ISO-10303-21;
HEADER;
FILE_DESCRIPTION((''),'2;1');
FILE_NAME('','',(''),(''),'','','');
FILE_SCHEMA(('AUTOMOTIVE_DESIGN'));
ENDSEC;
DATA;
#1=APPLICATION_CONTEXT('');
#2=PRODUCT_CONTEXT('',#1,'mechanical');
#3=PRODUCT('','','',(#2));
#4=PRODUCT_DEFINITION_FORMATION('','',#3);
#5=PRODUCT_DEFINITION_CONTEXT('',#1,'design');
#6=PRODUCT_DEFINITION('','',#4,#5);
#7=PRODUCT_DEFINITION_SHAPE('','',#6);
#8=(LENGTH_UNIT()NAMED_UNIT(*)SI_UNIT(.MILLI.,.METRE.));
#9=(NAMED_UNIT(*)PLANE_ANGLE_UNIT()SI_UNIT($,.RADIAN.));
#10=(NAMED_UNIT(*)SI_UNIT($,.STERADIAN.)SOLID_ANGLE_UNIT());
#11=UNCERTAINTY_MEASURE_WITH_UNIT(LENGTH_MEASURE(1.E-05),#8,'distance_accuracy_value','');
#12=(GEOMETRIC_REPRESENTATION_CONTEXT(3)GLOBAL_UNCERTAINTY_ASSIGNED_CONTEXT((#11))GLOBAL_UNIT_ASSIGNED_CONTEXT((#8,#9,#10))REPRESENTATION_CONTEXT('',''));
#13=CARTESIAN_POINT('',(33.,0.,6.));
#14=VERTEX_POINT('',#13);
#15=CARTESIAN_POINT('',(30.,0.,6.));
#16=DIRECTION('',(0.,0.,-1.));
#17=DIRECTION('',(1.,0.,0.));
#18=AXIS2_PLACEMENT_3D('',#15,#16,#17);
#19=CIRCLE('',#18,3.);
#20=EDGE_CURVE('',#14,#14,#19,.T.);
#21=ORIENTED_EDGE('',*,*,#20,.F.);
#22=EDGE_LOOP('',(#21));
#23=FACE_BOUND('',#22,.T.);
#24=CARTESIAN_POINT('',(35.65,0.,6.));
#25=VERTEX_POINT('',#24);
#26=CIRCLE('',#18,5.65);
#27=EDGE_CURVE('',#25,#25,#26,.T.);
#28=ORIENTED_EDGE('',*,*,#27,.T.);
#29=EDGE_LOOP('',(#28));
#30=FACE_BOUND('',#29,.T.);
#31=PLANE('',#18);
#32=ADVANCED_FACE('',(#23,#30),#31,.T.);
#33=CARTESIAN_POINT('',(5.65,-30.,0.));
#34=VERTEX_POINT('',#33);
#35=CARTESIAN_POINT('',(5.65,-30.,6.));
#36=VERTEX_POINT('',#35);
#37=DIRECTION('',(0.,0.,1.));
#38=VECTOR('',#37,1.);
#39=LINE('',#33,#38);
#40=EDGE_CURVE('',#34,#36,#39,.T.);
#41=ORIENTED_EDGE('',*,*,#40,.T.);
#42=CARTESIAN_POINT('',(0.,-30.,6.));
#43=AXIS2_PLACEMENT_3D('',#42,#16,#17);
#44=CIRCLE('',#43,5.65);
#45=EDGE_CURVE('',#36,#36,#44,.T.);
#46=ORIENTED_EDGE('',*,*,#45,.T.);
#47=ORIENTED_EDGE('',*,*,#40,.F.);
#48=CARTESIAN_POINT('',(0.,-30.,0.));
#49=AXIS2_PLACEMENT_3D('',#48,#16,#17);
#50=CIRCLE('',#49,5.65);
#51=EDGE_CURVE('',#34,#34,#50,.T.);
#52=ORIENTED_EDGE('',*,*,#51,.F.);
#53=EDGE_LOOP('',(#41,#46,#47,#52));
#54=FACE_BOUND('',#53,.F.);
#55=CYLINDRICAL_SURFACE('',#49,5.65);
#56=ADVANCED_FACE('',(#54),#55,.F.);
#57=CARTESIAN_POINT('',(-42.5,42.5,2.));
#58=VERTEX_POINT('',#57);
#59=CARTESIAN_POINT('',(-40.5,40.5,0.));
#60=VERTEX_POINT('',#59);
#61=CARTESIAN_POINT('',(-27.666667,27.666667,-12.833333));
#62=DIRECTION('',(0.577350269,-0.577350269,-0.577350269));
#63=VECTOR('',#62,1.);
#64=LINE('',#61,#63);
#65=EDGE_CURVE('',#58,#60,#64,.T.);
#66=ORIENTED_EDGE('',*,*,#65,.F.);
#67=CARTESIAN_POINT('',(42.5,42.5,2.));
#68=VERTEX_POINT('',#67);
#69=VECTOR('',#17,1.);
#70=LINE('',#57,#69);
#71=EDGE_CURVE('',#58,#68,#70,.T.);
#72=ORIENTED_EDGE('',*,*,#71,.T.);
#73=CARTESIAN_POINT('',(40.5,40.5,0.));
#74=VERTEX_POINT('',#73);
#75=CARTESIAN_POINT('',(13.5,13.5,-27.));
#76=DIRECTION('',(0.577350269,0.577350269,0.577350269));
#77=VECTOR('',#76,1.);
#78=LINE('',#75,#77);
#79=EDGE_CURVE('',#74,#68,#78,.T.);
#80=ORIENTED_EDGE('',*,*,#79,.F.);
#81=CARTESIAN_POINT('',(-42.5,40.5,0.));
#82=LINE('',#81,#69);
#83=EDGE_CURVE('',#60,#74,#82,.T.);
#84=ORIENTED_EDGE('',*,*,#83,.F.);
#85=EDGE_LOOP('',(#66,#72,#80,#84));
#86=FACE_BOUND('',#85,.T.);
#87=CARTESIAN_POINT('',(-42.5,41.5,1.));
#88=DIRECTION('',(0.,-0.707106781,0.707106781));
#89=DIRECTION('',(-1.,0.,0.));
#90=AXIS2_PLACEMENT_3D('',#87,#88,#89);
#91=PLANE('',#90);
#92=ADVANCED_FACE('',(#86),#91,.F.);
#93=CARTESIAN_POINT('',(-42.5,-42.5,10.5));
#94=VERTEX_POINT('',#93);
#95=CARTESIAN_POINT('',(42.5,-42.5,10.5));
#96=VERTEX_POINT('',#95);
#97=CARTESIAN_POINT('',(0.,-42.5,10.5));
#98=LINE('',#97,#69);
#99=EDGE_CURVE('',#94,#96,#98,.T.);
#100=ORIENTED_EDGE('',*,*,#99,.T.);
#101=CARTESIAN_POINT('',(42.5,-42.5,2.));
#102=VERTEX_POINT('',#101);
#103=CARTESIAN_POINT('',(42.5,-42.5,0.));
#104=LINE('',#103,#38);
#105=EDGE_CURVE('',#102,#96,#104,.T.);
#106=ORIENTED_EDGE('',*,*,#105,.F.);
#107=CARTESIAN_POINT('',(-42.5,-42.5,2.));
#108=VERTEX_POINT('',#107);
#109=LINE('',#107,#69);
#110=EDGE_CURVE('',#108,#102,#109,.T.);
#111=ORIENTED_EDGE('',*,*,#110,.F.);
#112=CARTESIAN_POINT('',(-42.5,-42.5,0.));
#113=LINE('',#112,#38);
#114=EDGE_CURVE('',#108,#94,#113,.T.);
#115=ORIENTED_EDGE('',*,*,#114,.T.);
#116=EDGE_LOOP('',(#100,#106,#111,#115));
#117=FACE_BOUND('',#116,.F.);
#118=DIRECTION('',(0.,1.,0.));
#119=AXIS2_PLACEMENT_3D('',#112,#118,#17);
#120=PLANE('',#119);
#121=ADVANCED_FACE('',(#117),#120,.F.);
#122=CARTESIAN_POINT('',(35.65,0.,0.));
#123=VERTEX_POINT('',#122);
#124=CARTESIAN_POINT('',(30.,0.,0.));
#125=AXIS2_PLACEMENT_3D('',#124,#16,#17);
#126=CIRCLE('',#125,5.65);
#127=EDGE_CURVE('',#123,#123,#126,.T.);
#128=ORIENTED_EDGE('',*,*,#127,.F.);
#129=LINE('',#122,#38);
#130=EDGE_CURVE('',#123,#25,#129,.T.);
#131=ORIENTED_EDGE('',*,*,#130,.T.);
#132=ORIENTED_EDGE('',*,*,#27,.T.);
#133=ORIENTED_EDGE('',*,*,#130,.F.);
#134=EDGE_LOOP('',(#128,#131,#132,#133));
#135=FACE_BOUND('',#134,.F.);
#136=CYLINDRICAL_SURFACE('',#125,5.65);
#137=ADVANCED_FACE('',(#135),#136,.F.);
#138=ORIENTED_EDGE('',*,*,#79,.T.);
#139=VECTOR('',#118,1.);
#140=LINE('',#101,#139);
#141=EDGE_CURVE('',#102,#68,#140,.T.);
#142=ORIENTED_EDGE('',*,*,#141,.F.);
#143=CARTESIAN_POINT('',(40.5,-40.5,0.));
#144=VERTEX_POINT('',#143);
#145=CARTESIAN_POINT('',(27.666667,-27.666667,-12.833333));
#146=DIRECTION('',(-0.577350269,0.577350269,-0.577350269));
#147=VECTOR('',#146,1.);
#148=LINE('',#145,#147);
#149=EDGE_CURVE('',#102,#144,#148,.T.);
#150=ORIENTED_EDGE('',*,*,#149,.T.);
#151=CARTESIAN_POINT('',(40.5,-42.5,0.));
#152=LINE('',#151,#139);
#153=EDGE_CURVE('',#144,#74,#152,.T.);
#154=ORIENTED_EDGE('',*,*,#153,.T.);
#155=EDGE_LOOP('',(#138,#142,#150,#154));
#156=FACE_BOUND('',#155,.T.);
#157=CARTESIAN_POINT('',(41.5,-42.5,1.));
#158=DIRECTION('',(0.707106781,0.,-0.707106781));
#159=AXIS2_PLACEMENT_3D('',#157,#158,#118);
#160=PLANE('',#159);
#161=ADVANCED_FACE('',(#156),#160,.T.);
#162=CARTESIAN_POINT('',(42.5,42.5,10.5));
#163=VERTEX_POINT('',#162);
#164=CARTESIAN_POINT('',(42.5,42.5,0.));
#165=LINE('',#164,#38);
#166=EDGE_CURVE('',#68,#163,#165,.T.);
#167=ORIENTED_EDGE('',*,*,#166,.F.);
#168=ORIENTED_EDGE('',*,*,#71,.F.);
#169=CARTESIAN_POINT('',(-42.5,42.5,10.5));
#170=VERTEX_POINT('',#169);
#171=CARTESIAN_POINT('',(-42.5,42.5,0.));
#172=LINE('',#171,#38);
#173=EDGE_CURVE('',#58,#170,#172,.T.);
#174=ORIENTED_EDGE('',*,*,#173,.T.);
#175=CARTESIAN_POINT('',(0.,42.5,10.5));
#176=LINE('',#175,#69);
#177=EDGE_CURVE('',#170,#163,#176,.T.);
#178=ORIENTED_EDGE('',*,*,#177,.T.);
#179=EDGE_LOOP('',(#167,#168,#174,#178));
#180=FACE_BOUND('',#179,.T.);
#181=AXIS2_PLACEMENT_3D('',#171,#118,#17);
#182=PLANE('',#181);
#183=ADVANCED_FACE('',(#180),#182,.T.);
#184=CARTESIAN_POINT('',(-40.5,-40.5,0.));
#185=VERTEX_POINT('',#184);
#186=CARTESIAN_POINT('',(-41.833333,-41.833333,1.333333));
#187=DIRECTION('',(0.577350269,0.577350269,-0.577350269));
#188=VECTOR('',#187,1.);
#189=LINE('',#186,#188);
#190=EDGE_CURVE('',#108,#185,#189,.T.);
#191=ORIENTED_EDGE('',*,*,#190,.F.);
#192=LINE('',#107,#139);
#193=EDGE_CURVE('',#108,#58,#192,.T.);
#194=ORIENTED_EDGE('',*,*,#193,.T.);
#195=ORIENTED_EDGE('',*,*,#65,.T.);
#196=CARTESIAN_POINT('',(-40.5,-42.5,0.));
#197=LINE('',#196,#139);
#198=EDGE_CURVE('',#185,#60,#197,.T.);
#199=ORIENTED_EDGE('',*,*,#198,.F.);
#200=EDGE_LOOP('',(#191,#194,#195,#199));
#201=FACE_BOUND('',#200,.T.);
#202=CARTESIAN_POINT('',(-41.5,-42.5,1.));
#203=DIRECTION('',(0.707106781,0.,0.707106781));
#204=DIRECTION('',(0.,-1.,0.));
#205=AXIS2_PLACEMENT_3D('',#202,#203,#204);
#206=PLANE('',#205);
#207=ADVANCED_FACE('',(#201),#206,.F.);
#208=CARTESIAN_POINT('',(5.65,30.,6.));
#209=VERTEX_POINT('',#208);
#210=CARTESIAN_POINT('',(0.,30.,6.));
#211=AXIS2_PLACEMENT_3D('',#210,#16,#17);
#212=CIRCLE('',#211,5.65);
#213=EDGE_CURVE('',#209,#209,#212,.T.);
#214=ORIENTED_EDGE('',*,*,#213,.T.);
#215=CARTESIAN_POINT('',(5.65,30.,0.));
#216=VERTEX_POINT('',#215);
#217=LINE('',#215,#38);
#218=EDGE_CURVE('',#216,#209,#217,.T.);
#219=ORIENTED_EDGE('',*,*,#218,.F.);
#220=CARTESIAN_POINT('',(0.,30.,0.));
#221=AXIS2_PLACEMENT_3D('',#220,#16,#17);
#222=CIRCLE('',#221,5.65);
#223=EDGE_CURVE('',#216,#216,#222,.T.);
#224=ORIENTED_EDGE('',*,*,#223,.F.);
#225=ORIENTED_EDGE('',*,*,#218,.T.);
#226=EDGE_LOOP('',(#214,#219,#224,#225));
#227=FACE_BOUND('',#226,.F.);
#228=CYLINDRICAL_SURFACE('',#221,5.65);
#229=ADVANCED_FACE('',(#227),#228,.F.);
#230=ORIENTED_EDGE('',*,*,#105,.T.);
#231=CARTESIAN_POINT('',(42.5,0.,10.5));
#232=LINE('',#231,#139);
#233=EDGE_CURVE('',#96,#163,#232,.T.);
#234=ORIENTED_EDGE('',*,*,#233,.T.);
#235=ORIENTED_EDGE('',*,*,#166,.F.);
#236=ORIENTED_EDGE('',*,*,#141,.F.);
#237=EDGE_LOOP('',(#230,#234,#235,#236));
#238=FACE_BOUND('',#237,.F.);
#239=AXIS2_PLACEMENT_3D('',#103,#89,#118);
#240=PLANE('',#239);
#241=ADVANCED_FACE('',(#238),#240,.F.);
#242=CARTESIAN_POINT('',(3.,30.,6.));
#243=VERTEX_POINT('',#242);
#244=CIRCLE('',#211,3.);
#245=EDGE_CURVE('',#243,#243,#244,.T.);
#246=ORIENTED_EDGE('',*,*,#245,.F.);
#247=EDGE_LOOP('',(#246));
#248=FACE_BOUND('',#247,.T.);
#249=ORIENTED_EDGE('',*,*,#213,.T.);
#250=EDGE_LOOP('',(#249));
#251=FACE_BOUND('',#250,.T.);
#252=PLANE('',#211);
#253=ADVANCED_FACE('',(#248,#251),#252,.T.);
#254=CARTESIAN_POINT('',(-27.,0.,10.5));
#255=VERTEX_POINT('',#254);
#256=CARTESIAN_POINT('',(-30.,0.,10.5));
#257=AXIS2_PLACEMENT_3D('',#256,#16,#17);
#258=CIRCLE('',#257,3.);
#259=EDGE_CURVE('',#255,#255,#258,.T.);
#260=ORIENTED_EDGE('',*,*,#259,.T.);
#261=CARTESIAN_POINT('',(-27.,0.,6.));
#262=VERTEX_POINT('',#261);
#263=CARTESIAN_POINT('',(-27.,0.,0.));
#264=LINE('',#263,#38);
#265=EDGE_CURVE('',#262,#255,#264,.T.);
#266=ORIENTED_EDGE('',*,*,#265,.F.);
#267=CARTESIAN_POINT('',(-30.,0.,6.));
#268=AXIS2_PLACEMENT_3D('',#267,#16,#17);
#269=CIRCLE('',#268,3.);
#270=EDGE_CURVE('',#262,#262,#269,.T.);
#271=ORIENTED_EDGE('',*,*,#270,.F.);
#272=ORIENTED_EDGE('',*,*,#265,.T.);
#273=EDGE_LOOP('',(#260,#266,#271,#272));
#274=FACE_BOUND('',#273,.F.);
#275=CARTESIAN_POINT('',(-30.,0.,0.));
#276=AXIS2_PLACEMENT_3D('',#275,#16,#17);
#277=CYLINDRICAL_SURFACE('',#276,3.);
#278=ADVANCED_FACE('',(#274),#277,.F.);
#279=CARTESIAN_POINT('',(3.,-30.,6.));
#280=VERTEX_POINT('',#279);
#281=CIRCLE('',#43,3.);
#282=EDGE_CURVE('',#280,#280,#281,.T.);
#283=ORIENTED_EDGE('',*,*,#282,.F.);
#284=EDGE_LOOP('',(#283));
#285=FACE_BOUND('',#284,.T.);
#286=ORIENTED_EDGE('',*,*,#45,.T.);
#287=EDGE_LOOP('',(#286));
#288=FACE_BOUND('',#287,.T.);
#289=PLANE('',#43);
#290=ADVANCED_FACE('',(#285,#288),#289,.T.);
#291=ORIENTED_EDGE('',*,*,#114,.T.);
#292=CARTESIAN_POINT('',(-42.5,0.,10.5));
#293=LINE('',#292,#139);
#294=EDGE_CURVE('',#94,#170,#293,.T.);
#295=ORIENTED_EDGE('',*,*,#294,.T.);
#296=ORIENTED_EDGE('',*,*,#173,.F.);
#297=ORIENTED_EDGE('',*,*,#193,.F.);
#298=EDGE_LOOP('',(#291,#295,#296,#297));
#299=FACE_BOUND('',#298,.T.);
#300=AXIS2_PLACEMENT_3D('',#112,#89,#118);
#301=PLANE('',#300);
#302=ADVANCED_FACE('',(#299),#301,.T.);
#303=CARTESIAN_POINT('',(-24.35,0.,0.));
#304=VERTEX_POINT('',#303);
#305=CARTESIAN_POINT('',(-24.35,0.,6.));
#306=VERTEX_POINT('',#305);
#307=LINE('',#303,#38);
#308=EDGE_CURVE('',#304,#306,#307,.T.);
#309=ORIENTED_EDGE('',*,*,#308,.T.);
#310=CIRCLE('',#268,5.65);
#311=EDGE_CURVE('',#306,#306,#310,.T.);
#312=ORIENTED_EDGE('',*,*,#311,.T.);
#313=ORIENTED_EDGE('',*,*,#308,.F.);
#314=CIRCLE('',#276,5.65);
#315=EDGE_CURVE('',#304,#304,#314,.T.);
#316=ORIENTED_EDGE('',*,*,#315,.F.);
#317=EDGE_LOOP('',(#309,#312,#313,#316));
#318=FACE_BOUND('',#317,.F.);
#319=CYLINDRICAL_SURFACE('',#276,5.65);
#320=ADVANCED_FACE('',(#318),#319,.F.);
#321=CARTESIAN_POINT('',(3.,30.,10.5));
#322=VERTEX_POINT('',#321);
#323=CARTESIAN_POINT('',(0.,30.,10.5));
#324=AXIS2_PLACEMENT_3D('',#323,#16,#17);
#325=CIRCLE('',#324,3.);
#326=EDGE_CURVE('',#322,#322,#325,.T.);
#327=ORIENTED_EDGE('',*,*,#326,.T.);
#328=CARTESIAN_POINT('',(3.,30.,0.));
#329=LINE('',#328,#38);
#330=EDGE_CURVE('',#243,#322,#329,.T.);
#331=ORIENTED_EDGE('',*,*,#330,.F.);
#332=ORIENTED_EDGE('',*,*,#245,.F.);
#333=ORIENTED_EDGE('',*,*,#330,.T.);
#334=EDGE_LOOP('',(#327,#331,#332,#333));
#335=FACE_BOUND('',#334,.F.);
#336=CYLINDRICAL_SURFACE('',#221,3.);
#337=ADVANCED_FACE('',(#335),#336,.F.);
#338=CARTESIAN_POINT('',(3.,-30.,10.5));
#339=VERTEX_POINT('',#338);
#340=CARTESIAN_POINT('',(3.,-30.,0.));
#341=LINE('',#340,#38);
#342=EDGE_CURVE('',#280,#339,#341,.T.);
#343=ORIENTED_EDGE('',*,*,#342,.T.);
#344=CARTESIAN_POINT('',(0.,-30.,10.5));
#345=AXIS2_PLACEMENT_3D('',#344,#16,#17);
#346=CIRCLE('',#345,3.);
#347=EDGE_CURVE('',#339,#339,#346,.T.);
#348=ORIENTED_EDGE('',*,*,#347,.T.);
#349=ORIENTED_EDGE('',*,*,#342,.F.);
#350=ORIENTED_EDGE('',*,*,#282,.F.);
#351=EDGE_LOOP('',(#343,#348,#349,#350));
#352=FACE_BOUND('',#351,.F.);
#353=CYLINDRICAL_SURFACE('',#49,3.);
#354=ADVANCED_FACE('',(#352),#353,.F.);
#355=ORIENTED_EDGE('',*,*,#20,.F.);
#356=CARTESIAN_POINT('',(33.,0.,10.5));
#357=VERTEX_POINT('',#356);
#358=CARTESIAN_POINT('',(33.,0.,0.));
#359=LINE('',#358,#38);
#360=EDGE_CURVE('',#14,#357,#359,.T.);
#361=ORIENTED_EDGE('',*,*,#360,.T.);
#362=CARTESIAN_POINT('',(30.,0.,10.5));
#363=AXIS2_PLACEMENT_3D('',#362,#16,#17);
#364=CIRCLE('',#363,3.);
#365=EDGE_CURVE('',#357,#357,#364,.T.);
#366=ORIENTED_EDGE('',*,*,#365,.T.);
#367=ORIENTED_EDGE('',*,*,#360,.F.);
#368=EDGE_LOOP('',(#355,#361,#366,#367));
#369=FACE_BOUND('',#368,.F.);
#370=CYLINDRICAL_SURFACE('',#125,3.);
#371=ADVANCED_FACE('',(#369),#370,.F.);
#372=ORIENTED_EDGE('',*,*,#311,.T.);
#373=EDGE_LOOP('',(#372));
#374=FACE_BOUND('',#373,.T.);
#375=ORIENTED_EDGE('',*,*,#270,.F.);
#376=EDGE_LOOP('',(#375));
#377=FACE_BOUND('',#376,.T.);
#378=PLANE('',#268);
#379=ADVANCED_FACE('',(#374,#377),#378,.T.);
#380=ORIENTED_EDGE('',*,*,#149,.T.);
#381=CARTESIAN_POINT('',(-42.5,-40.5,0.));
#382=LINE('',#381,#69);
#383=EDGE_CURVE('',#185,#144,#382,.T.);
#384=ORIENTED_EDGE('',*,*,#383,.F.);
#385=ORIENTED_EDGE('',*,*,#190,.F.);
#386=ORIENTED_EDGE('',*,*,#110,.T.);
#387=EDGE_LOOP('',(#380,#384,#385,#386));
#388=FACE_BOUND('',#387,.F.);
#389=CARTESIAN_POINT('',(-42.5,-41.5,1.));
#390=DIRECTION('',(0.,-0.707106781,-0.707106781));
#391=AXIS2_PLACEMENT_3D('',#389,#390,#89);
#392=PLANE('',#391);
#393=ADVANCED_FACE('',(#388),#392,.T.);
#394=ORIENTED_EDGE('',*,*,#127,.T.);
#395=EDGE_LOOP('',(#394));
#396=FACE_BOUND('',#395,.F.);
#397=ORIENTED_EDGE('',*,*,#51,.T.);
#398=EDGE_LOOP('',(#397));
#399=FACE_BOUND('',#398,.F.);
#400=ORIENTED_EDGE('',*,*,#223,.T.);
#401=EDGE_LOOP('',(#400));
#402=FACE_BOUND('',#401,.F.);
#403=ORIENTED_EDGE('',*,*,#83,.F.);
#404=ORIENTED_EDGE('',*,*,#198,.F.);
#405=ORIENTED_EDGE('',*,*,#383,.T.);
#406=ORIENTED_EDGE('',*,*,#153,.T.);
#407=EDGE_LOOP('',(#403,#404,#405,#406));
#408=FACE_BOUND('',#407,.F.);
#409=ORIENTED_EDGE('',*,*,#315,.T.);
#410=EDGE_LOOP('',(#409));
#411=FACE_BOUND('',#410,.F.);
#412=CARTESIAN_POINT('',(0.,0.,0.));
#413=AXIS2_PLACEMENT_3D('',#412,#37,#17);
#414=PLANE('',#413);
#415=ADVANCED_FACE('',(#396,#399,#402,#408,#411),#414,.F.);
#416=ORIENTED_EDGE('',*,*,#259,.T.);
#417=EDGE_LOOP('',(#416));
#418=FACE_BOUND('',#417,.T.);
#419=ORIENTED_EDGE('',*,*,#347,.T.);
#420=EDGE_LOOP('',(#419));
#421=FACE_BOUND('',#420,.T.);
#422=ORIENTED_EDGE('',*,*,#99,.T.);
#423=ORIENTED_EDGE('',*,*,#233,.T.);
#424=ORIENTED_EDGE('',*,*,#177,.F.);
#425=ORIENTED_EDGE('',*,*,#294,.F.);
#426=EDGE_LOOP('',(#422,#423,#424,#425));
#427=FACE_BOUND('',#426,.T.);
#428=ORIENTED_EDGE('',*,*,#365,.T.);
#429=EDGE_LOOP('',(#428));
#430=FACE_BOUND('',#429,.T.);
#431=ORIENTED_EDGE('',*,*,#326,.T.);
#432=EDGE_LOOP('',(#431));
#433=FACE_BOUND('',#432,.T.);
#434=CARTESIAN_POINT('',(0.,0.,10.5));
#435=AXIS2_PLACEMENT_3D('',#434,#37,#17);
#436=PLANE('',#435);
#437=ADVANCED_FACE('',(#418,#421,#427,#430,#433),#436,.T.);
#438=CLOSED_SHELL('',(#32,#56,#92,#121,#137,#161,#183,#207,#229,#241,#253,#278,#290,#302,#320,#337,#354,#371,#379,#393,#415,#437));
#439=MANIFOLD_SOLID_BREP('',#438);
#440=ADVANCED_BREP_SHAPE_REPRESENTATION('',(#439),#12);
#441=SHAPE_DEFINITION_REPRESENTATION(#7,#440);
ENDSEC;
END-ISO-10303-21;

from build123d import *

# Parameters (mm, degrees)
F0_W     = 85
F0_H     = 85
F1_DEPTH = 10.5
F4_R     = 3
F5_DEPTH = 25
F6_R     = 5.65
F6_R_2   = 3
F7_DEPTH = 6
F8_SIZE  = 2


with BuildPart() as f1:
    # F0 (on Top) → F1 (new body)
    with BuildSketch(Plane.XY):
        Rectangle(F0_W, F0_H)
    extrude(amount=F1_DEPTH)

    # F4 (on face) → F5 (cut)
    with BuildSketch(Plane(origin=(0, 0, 0), x_dir=(1, 0, 0), z_dir=(0, 0, -1))):
        with Locations((0, 30)):
            Circle(F4_R)
        with Locations((0, -30)):
            Circle(F4_R)
        with Locations((30, 0)):
            Circle(F4_R)
        with Locations((-30, 0)):
            Circle(F4_R)
    extrude(amount=-F5_DEPTH, mode=Mode.SUBTRACT)

    # F6 (on face) → F7 (cut)
    with BuildSketch(Plane(origin=(0, 0, 0), x_dir=(1, 0, 0), z_dir=(0, 0, -1))):
        with Locations((0, 30)):
            Circle(F6_R)
        with Locations((0, 30)):
            Circle(F6_R_2, mode=Mode.SUBTRACT)
        with Locations((30, 0)):
            Circle(F6_R)
        with Locations((30, 0)):
            Circle(F6_R_2, mode=Mode.SUBTRACT)
        with Locations((0, -30)):
            Circle(F6_R)
        with Locations((0, -30)):
            Circle(F6_R_2, mode=Mode.SUBTRACT)
        with Locations((-30, 0)):
            Circle(F6_R)
        with Locations((-30, 0)):
            Circle(F6_R_2, mode=Mode.SUBTRACT)
    extrude(amount=-F7_DEPTH, mode=Mode.SUBTRACT)

    # F8
    f8_edges = [f1.edges().sort_by_distance(p)[0] for p in [
        (-42.5, 0, 0),
        (0, -42.5, 0),
        (42.5, 0, 0),
        (0, 42.5, 0),
    ]]
    chamfer(f8_edges, length=F8_SIZE)


solid = f1.part
